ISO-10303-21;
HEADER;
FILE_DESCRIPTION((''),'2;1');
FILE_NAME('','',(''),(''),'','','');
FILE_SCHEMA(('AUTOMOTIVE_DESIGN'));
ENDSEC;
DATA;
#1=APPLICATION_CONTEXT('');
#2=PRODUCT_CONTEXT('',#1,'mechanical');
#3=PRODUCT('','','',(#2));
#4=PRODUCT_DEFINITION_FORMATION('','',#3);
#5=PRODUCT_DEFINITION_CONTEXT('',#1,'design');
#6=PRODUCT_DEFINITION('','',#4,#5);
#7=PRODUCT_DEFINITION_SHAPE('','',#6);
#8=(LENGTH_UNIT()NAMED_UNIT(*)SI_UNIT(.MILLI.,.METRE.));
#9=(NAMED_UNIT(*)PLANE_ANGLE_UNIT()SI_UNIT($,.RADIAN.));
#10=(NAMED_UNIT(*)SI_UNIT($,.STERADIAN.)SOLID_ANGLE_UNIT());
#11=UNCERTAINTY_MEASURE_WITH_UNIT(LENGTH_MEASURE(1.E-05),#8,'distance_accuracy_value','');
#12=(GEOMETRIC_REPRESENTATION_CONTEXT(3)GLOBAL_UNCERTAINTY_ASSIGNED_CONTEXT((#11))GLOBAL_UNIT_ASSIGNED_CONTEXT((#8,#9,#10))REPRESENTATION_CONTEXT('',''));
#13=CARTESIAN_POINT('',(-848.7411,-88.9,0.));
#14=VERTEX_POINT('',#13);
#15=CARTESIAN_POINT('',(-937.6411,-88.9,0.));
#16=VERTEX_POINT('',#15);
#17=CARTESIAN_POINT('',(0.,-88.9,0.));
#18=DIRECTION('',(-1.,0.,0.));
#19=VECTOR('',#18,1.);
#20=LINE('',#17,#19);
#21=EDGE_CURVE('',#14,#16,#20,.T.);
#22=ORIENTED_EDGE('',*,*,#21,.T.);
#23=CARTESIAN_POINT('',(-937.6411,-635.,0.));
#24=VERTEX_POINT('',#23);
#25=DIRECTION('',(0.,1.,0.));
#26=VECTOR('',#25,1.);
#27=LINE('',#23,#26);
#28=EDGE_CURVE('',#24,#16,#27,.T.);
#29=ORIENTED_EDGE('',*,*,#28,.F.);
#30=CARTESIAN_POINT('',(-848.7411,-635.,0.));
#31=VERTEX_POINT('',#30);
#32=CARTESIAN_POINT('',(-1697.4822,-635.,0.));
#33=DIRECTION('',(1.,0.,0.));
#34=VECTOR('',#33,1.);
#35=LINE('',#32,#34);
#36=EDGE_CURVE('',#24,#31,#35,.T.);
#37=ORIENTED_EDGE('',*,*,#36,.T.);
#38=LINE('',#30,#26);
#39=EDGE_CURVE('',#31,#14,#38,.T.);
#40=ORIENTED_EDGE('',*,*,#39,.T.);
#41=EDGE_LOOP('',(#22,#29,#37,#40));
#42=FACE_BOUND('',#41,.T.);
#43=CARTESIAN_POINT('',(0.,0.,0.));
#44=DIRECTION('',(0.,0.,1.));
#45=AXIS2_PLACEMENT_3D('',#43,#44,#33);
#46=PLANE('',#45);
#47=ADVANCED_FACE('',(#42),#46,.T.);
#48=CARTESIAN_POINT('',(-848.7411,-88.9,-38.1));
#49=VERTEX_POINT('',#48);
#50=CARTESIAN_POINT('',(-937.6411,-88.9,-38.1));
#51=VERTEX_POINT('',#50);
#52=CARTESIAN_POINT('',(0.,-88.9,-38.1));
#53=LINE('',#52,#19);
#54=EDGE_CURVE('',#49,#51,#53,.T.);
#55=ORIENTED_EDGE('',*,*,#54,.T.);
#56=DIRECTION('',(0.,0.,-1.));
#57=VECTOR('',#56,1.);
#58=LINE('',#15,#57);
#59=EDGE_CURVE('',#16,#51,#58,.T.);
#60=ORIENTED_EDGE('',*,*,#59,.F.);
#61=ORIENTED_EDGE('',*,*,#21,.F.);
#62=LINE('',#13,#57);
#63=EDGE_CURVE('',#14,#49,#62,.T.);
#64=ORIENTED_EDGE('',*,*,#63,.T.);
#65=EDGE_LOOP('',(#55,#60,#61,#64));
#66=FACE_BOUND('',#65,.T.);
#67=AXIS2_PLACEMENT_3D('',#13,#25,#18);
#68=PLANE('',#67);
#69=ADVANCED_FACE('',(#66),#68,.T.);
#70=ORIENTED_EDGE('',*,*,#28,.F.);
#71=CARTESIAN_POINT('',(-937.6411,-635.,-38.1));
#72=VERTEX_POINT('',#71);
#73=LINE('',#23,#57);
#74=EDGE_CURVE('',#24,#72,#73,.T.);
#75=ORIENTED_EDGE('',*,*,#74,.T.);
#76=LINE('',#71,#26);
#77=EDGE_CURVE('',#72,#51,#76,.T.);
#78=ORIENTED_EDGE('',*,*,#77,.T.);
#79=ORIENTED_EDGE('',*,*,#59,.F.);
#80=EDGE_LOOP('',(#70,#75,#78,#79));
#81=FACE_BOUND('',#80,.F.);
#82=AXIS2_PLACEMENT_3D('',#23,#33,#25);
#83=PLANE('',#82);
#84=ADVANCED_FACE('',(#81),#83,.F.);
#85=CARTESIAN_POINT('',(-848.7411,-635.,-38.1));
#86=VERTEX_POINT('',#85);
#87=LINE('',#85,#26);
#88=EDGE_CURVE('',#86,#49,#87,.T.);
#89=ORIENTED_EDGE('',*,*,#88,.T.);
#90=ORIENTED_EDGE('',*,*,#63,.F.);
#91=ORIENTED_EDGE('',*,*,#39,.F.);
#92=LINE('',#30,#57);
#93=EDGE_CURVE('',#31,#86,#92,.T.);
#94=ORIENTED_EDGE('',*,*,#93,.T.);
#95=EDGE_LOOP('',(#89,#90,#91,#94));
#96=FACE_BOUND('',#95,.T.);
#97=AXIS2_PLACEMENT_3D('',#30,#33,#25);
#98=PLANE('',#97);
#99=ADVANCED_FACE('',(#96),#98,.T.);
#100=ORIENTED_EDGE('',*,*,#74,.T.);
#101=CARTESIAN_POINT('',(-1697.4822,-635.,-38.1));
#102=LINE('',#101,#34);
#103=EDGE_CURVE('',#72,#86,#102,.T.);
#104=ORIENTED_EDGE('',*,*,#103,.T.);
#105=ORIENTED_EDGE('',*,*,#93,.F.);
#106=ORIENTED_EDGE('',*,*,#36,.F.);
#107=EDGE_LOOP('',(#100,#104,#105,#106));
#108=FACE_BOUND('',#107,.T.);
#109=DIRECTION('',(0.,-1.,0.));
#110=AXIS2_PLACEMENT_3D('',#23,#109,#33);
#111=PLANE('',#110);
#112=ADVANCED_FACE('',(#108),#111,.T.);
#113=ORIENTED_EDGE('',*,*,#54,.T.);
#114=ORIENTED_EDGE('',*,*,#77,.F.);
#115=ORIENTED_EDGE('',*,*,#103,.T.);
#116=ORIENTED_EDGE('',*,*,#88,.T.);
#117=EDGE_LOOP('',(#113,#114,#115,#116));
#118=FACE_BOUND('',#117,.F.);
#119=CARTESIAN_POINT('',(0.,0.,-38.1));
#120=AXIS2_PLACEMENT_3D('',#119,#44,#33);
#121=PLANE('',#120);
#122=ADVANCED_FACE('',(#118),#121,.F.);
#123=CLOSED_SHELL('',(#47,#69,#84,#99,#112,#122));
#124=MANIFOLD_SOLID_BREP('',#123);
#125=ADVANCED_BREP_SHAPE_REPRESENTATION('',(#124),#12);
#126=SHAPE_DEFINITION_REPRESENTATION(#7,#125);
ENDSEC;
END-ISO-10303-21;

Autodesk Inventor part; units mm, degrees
ref_plane "YZ Plane" through (0, 0, 0) normal (1, 0, 0) x (0, 1, 0)
ref_plane "XZ Plane" through (0, 0, 0) normal (0, 1, 0) x (-1, 0, 0)
ref_plane "XY Plane" through (0, 0, 0) normal (0, 0, 1) x (1, 0, 0)
sketch "Sketch1" plane through (0, 0, 0) normal (0, 0, 1) x (1, 0, 0)
  line L0 (-848.7411, -635) -> (-437.8392, -635) projected
  line L1 (0, -88.9) -> (-1697.4822, -88.9) projected
  line L2 (-437.8392, -88.9) -> (-526.7392, -88.9)
  line L3 (-1697.4822, -635) -> (-848.7411, -635) projected
  line L4 (-848.7411, -635) -> (-848.7411, -88.9)
  line L5 (-937.6411, -635) -> (-937.6411, -88.9)
  point P0 (0, 0)
  dimension "d3" = 88.9
extrude "Extrusion1" add sketch "Sketch1" against normal blind 38.1
properties part number "2x4x21.5"
